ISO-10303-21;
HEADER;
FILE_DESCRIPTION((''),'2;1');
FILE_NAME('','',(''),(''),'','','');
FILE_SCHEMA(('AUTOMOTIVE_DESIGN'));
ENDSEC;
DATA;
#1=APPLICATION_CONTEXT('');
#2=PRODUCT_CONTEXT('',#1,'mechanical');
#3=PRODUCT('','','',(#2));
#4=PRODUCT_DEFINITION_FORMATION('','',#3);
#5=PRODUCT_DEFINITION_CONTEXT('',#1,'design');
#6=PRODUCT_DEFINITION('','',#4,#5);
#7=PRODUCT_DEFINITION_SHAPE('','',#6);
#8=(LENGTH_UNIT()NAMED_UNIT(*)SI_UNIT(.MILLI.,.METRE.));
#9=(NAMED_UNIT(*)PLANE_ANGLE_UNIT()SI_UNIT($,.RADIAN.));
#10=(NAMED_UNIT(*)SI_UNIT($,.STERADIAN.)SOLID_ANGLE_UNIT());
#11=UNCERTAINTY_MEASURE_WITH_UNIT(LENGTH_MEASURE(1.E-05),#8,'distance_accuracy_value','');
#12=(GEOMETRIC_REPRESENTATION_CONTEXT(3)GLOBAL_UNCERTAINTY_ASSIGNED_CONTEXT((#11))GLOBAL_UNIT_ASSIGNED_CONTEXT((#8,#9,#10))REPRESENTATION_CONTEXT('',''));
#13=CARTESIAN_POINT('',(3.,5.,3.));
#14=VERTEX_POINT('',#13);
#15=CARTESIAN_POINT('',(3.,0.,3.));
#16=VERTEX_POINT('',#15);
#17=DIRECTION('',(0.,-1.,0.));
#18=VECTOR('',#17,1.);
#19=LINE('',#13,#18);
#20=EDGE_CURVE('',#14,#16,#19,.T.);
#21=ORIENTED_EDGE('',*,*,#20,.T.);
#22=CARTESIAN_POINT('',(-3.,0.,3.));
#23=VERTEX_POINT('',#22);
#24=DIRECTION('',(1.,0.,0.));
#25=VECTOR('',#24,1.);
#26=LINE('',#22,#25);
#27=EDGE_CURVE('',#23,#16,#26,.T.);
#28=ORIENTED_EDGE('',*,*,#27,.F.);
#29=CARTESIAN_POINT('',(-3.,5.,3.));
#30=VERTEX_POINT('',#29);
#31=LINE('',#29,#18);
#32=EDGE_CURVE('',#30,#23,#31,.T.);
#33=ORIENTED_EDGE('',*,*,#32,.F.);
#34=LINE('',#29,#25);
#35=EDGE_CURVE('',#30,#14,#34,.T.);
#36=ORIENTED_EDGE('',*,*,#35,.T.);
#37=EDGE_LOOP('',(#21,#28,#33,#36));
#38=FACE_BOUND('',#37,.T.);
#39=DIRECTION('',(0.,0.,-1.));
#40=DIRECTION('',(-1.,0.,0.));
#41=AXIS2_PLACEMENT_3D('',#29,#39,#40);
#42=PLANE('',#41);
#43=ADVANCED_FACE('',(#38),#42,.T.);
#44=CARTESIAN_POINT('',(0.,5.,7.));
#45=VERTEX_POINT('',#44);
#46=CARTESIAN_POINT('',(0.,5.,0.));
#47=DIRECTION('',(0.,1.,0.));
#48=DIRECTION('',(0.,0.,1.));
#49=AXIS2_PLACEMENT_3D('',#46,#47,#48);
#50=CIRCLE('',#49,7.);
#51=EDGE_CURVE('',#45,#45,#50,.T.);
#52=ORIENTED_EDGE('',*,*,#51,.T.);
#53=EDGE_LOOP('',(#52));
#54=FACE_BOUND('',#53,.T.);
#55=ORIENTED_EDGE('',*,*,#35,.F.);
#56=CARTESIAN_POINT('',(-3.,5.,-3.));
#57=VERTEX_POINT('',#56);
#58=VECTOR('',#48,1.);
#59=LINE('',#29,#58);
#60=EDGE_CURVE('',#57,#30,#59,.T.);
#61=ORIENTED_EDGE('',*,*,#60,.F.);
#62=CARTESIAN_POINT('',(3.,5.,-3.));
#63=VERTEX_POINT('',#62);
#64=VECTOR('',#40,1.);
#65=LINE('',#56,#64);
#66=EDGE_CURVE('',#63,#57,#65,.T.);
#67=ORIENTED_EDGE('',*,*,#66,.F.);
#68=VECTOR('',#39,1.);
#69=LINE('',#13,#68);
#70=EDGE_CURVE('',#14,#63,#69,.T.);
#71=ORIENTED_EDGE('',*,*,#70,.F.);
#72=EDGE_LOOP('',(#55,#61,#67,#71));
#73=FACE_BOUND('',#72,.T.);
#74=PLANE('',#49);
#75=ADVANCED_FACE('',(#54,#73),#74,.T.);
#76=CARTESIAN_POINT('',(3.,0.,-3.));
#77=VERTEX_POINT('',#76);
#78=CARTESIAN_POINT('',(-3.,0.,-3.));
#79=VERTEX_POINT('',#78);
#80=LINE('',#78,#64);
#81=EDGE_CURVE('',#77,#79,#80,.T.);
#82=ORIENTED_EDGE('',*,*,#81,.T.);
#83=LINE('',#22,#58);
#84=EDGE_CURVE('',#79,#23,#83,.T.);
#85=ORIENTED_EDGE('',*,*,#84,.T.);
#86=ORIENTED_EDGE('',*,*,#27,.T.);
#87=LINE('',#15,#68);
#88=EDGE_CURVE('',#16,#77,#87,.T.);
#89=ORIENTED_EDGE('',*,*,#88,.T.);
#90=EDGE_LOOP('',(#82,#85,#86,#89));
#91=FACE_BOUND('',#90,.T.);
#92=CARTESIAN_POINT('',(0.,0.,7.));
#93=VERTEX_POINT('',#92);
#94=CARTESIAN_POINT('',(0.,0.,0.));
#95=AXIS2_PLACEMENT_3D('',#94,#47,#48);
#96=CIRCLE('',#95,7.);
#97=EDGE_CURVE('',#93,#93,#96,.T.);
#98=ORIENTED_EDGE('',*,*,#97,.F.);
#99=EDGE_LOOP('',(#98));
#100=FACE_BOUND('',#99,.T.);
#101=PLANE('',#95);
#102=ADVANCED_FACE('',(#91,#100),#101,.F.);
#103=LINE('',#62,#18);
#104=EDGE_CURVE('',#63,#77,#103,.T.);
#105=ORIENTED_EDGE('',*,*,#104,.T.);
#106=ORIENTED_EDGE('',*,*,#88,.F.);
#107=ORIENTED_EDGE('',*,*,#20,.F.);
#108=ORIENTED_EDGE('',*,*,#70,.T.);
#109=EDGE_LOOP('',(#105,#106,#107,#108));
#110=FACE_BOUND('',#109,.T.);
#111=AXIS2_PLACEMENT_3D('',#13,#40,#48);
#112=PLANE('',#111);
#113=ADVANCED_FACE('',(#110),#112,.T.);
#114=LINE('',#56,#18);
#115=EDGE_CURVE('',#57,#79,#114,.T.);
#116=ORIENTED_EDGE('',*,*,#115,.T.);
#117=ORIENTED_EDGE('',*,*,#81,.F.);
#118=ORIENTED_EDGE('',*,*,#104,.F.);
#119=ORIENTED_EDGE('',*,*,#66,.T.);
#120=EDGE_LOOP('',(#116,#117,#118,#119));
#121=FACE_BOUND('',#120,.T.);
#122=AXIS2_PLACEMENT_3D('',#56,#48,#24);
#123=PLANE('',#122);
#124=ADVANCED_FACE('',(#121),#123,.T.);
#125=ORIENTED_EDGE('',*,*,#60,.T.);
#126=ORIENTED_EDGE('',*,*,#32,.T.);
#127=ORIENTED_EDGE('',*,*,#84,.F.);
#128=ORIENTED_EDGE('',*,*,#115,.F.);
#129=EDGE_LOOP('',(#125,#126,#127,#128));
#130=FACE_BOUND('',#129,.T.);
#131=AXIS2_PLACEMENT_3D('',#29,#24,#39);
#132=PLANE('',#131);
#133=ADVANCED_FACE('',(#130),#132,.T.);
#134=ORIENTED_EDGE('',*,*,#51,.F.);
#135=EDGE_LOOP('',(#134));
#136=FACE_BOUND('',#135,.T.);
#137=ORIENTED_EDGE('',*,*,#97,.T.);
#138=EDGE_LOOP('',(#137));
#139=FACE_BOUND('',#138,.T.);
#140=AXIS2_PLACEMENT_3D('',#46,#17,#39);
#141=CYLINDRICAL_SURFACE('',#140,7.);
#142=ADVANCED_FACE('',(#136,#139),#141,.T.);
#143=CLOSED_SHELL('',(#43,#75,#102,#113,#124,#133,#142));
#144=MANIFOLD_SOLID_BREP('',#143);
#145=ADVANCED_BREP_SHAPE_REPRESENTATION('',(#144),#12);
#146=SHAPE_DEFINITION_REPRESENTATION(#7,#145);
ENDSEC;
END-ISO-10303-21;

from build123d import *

# Parameters (mm, degrees)
SKETCH1_R           = 7
SKETCH1_W           = 6
SKETCH1_H           = 6
BOSS_EXTRUDE1_DEPTH = 5


with BuildPart() as part:
    # Sketch1 → Boss-Extrude1 (new body)
    with BuildSketch(Plane(origin=(0, 0, 0), x_dir=(1, 0, 0), z_dir=(0, 1, 0))):
        with Locations(Location((0, 0, 0), (0, 0, 270))):
            Circle(SKETCH1_R)
        Rectangle(SKETCH1_W, SKETCH1_H, mode=Mode.SUBTRACT)
    extrude(amount=BOSS_EXTRUDE1_DEPTH)


solid = part.part
